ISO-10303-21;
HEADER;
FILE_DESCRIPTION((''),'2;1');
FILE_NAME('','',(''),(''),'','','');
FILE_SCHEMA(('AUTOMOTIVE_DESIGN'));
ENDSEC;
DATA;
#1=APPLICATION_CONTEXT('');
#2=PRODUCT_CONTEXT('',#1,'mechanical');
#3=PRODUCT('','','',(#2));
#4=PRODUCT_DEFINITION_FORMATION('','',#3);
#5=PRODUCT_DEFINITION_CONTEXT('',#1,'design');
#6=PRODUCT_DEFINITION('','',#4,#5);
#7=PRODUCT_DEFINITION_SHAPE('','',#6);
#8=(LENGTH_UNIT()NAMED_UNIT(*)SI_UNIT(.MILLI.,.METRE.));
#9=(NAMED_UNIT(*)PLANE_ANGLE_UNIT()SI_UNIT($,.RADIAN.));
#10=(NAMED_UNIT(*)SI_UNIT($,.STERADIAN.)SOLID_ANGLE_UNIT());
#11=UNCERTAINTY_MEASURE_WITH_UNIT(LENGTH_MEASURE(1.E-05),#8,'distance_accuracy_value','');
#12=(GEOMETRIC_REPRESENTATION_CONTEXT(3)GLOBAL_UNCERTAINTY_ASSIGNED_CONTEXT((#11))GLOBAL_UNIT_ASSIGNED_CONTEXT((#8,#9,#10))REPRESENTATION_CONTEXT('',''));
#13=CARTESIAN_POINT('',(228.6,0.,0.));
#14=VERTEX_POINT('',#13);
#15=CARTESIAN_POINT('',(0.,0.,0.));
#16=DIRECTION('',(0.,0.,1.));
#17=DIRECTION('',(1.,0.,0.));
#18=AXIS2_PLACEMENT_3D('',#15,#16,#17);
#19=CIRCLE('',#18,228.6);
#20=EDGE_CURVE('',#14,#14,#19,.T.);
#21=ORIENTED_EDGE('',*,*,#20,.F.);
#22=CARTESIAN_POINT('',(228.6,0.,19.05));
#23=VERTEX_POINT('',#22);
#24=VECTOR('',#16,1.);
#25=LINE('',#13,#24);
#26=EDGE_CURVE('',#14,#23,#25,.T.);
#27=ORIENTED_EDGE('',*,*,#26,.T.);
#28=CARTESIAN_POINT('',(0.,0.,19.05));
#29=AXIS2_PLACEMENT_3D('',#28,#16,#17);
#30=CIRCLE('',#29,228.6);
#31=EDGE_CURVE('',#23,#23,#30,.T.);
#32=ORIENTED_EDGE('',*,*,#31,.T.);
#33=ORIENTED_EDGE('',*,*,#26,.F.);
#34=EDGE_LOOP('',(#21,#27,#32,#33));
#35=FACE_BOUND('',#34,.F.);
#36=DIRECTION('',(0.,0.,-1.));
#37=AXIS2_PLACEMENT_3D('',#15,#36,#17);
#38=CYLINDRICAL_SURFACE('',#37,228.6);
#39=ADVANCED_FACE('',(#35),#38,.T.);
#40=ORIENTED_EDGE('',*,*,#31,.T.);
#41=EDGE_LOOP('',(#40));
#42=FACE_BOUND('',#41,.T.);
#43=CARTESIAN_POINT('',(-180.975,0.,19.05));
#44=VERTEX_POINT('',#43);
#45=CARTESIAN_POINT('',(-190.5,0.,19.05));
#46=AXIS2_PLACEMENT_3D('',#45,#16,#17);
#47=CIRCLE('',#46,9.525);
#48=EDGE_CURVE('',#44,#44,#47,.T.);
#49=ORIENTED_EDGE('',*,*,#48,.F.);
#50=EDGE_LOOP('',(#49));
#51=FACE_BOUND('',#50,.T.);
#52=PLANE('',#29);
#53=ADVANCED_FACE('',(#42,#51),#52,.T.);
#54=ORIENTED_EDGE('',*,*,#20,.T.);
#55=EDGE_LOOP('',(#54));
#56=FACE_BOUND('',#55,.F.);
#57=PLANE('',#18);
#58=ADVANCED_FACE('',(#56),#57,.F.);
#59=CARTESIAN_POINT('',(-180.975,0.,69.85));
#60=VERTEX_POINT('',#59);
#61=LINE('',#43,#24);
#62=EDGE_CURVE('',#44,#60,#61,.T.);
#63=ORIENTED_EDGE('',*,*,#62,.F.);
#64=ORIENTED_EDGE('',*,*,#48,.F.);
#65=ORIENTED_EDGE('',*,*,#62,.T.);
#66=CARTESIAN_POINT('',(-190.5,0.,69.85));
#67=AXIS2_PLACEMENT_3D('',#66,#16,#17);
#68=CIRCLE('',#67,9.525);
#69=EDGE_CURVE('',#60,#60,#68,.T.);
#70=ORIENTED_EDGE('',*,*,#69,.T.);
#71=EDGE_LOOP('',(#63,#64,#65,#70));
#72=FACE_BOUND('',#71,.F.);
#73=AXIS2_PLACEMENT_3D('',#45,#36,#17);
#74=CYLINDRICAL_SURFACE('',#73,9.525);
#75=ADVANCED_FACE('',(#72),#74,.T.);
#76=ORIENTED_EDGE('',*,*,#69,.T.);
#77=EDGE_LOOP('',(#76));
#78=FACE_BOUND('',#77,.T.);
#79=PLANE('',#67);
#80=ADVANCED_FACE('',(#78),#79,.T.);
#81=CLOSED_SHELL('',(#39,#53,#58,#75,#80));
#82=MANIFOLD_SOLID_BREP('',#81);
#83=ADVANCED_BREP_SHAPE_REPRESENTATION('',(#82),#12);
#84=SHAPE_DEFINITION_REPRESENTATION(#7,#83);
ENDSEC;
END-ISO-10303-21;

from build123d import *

# Parameters (mm, degrees)
F0_R     = 228.6
F1_DEPTH = 19.05
F2_R     = 9.525
F3_DEPTH = 50.8


with BuildPart() as f1:
    # F0 (on Top) → F1 (new body)
    with BuildSketch(Plane.XY):
        Circle(F0_R)
    extrude(amount=F1_DEPTH)

    # F2 (on face) → F3 (join)
    with BuildSketch(Plane.XY.offset(19.05)):
        with Locations((-190.5, 0)):
            Circle(F2_R)
    extrude(amount=F3_DEPTH)


solid = f1.part
